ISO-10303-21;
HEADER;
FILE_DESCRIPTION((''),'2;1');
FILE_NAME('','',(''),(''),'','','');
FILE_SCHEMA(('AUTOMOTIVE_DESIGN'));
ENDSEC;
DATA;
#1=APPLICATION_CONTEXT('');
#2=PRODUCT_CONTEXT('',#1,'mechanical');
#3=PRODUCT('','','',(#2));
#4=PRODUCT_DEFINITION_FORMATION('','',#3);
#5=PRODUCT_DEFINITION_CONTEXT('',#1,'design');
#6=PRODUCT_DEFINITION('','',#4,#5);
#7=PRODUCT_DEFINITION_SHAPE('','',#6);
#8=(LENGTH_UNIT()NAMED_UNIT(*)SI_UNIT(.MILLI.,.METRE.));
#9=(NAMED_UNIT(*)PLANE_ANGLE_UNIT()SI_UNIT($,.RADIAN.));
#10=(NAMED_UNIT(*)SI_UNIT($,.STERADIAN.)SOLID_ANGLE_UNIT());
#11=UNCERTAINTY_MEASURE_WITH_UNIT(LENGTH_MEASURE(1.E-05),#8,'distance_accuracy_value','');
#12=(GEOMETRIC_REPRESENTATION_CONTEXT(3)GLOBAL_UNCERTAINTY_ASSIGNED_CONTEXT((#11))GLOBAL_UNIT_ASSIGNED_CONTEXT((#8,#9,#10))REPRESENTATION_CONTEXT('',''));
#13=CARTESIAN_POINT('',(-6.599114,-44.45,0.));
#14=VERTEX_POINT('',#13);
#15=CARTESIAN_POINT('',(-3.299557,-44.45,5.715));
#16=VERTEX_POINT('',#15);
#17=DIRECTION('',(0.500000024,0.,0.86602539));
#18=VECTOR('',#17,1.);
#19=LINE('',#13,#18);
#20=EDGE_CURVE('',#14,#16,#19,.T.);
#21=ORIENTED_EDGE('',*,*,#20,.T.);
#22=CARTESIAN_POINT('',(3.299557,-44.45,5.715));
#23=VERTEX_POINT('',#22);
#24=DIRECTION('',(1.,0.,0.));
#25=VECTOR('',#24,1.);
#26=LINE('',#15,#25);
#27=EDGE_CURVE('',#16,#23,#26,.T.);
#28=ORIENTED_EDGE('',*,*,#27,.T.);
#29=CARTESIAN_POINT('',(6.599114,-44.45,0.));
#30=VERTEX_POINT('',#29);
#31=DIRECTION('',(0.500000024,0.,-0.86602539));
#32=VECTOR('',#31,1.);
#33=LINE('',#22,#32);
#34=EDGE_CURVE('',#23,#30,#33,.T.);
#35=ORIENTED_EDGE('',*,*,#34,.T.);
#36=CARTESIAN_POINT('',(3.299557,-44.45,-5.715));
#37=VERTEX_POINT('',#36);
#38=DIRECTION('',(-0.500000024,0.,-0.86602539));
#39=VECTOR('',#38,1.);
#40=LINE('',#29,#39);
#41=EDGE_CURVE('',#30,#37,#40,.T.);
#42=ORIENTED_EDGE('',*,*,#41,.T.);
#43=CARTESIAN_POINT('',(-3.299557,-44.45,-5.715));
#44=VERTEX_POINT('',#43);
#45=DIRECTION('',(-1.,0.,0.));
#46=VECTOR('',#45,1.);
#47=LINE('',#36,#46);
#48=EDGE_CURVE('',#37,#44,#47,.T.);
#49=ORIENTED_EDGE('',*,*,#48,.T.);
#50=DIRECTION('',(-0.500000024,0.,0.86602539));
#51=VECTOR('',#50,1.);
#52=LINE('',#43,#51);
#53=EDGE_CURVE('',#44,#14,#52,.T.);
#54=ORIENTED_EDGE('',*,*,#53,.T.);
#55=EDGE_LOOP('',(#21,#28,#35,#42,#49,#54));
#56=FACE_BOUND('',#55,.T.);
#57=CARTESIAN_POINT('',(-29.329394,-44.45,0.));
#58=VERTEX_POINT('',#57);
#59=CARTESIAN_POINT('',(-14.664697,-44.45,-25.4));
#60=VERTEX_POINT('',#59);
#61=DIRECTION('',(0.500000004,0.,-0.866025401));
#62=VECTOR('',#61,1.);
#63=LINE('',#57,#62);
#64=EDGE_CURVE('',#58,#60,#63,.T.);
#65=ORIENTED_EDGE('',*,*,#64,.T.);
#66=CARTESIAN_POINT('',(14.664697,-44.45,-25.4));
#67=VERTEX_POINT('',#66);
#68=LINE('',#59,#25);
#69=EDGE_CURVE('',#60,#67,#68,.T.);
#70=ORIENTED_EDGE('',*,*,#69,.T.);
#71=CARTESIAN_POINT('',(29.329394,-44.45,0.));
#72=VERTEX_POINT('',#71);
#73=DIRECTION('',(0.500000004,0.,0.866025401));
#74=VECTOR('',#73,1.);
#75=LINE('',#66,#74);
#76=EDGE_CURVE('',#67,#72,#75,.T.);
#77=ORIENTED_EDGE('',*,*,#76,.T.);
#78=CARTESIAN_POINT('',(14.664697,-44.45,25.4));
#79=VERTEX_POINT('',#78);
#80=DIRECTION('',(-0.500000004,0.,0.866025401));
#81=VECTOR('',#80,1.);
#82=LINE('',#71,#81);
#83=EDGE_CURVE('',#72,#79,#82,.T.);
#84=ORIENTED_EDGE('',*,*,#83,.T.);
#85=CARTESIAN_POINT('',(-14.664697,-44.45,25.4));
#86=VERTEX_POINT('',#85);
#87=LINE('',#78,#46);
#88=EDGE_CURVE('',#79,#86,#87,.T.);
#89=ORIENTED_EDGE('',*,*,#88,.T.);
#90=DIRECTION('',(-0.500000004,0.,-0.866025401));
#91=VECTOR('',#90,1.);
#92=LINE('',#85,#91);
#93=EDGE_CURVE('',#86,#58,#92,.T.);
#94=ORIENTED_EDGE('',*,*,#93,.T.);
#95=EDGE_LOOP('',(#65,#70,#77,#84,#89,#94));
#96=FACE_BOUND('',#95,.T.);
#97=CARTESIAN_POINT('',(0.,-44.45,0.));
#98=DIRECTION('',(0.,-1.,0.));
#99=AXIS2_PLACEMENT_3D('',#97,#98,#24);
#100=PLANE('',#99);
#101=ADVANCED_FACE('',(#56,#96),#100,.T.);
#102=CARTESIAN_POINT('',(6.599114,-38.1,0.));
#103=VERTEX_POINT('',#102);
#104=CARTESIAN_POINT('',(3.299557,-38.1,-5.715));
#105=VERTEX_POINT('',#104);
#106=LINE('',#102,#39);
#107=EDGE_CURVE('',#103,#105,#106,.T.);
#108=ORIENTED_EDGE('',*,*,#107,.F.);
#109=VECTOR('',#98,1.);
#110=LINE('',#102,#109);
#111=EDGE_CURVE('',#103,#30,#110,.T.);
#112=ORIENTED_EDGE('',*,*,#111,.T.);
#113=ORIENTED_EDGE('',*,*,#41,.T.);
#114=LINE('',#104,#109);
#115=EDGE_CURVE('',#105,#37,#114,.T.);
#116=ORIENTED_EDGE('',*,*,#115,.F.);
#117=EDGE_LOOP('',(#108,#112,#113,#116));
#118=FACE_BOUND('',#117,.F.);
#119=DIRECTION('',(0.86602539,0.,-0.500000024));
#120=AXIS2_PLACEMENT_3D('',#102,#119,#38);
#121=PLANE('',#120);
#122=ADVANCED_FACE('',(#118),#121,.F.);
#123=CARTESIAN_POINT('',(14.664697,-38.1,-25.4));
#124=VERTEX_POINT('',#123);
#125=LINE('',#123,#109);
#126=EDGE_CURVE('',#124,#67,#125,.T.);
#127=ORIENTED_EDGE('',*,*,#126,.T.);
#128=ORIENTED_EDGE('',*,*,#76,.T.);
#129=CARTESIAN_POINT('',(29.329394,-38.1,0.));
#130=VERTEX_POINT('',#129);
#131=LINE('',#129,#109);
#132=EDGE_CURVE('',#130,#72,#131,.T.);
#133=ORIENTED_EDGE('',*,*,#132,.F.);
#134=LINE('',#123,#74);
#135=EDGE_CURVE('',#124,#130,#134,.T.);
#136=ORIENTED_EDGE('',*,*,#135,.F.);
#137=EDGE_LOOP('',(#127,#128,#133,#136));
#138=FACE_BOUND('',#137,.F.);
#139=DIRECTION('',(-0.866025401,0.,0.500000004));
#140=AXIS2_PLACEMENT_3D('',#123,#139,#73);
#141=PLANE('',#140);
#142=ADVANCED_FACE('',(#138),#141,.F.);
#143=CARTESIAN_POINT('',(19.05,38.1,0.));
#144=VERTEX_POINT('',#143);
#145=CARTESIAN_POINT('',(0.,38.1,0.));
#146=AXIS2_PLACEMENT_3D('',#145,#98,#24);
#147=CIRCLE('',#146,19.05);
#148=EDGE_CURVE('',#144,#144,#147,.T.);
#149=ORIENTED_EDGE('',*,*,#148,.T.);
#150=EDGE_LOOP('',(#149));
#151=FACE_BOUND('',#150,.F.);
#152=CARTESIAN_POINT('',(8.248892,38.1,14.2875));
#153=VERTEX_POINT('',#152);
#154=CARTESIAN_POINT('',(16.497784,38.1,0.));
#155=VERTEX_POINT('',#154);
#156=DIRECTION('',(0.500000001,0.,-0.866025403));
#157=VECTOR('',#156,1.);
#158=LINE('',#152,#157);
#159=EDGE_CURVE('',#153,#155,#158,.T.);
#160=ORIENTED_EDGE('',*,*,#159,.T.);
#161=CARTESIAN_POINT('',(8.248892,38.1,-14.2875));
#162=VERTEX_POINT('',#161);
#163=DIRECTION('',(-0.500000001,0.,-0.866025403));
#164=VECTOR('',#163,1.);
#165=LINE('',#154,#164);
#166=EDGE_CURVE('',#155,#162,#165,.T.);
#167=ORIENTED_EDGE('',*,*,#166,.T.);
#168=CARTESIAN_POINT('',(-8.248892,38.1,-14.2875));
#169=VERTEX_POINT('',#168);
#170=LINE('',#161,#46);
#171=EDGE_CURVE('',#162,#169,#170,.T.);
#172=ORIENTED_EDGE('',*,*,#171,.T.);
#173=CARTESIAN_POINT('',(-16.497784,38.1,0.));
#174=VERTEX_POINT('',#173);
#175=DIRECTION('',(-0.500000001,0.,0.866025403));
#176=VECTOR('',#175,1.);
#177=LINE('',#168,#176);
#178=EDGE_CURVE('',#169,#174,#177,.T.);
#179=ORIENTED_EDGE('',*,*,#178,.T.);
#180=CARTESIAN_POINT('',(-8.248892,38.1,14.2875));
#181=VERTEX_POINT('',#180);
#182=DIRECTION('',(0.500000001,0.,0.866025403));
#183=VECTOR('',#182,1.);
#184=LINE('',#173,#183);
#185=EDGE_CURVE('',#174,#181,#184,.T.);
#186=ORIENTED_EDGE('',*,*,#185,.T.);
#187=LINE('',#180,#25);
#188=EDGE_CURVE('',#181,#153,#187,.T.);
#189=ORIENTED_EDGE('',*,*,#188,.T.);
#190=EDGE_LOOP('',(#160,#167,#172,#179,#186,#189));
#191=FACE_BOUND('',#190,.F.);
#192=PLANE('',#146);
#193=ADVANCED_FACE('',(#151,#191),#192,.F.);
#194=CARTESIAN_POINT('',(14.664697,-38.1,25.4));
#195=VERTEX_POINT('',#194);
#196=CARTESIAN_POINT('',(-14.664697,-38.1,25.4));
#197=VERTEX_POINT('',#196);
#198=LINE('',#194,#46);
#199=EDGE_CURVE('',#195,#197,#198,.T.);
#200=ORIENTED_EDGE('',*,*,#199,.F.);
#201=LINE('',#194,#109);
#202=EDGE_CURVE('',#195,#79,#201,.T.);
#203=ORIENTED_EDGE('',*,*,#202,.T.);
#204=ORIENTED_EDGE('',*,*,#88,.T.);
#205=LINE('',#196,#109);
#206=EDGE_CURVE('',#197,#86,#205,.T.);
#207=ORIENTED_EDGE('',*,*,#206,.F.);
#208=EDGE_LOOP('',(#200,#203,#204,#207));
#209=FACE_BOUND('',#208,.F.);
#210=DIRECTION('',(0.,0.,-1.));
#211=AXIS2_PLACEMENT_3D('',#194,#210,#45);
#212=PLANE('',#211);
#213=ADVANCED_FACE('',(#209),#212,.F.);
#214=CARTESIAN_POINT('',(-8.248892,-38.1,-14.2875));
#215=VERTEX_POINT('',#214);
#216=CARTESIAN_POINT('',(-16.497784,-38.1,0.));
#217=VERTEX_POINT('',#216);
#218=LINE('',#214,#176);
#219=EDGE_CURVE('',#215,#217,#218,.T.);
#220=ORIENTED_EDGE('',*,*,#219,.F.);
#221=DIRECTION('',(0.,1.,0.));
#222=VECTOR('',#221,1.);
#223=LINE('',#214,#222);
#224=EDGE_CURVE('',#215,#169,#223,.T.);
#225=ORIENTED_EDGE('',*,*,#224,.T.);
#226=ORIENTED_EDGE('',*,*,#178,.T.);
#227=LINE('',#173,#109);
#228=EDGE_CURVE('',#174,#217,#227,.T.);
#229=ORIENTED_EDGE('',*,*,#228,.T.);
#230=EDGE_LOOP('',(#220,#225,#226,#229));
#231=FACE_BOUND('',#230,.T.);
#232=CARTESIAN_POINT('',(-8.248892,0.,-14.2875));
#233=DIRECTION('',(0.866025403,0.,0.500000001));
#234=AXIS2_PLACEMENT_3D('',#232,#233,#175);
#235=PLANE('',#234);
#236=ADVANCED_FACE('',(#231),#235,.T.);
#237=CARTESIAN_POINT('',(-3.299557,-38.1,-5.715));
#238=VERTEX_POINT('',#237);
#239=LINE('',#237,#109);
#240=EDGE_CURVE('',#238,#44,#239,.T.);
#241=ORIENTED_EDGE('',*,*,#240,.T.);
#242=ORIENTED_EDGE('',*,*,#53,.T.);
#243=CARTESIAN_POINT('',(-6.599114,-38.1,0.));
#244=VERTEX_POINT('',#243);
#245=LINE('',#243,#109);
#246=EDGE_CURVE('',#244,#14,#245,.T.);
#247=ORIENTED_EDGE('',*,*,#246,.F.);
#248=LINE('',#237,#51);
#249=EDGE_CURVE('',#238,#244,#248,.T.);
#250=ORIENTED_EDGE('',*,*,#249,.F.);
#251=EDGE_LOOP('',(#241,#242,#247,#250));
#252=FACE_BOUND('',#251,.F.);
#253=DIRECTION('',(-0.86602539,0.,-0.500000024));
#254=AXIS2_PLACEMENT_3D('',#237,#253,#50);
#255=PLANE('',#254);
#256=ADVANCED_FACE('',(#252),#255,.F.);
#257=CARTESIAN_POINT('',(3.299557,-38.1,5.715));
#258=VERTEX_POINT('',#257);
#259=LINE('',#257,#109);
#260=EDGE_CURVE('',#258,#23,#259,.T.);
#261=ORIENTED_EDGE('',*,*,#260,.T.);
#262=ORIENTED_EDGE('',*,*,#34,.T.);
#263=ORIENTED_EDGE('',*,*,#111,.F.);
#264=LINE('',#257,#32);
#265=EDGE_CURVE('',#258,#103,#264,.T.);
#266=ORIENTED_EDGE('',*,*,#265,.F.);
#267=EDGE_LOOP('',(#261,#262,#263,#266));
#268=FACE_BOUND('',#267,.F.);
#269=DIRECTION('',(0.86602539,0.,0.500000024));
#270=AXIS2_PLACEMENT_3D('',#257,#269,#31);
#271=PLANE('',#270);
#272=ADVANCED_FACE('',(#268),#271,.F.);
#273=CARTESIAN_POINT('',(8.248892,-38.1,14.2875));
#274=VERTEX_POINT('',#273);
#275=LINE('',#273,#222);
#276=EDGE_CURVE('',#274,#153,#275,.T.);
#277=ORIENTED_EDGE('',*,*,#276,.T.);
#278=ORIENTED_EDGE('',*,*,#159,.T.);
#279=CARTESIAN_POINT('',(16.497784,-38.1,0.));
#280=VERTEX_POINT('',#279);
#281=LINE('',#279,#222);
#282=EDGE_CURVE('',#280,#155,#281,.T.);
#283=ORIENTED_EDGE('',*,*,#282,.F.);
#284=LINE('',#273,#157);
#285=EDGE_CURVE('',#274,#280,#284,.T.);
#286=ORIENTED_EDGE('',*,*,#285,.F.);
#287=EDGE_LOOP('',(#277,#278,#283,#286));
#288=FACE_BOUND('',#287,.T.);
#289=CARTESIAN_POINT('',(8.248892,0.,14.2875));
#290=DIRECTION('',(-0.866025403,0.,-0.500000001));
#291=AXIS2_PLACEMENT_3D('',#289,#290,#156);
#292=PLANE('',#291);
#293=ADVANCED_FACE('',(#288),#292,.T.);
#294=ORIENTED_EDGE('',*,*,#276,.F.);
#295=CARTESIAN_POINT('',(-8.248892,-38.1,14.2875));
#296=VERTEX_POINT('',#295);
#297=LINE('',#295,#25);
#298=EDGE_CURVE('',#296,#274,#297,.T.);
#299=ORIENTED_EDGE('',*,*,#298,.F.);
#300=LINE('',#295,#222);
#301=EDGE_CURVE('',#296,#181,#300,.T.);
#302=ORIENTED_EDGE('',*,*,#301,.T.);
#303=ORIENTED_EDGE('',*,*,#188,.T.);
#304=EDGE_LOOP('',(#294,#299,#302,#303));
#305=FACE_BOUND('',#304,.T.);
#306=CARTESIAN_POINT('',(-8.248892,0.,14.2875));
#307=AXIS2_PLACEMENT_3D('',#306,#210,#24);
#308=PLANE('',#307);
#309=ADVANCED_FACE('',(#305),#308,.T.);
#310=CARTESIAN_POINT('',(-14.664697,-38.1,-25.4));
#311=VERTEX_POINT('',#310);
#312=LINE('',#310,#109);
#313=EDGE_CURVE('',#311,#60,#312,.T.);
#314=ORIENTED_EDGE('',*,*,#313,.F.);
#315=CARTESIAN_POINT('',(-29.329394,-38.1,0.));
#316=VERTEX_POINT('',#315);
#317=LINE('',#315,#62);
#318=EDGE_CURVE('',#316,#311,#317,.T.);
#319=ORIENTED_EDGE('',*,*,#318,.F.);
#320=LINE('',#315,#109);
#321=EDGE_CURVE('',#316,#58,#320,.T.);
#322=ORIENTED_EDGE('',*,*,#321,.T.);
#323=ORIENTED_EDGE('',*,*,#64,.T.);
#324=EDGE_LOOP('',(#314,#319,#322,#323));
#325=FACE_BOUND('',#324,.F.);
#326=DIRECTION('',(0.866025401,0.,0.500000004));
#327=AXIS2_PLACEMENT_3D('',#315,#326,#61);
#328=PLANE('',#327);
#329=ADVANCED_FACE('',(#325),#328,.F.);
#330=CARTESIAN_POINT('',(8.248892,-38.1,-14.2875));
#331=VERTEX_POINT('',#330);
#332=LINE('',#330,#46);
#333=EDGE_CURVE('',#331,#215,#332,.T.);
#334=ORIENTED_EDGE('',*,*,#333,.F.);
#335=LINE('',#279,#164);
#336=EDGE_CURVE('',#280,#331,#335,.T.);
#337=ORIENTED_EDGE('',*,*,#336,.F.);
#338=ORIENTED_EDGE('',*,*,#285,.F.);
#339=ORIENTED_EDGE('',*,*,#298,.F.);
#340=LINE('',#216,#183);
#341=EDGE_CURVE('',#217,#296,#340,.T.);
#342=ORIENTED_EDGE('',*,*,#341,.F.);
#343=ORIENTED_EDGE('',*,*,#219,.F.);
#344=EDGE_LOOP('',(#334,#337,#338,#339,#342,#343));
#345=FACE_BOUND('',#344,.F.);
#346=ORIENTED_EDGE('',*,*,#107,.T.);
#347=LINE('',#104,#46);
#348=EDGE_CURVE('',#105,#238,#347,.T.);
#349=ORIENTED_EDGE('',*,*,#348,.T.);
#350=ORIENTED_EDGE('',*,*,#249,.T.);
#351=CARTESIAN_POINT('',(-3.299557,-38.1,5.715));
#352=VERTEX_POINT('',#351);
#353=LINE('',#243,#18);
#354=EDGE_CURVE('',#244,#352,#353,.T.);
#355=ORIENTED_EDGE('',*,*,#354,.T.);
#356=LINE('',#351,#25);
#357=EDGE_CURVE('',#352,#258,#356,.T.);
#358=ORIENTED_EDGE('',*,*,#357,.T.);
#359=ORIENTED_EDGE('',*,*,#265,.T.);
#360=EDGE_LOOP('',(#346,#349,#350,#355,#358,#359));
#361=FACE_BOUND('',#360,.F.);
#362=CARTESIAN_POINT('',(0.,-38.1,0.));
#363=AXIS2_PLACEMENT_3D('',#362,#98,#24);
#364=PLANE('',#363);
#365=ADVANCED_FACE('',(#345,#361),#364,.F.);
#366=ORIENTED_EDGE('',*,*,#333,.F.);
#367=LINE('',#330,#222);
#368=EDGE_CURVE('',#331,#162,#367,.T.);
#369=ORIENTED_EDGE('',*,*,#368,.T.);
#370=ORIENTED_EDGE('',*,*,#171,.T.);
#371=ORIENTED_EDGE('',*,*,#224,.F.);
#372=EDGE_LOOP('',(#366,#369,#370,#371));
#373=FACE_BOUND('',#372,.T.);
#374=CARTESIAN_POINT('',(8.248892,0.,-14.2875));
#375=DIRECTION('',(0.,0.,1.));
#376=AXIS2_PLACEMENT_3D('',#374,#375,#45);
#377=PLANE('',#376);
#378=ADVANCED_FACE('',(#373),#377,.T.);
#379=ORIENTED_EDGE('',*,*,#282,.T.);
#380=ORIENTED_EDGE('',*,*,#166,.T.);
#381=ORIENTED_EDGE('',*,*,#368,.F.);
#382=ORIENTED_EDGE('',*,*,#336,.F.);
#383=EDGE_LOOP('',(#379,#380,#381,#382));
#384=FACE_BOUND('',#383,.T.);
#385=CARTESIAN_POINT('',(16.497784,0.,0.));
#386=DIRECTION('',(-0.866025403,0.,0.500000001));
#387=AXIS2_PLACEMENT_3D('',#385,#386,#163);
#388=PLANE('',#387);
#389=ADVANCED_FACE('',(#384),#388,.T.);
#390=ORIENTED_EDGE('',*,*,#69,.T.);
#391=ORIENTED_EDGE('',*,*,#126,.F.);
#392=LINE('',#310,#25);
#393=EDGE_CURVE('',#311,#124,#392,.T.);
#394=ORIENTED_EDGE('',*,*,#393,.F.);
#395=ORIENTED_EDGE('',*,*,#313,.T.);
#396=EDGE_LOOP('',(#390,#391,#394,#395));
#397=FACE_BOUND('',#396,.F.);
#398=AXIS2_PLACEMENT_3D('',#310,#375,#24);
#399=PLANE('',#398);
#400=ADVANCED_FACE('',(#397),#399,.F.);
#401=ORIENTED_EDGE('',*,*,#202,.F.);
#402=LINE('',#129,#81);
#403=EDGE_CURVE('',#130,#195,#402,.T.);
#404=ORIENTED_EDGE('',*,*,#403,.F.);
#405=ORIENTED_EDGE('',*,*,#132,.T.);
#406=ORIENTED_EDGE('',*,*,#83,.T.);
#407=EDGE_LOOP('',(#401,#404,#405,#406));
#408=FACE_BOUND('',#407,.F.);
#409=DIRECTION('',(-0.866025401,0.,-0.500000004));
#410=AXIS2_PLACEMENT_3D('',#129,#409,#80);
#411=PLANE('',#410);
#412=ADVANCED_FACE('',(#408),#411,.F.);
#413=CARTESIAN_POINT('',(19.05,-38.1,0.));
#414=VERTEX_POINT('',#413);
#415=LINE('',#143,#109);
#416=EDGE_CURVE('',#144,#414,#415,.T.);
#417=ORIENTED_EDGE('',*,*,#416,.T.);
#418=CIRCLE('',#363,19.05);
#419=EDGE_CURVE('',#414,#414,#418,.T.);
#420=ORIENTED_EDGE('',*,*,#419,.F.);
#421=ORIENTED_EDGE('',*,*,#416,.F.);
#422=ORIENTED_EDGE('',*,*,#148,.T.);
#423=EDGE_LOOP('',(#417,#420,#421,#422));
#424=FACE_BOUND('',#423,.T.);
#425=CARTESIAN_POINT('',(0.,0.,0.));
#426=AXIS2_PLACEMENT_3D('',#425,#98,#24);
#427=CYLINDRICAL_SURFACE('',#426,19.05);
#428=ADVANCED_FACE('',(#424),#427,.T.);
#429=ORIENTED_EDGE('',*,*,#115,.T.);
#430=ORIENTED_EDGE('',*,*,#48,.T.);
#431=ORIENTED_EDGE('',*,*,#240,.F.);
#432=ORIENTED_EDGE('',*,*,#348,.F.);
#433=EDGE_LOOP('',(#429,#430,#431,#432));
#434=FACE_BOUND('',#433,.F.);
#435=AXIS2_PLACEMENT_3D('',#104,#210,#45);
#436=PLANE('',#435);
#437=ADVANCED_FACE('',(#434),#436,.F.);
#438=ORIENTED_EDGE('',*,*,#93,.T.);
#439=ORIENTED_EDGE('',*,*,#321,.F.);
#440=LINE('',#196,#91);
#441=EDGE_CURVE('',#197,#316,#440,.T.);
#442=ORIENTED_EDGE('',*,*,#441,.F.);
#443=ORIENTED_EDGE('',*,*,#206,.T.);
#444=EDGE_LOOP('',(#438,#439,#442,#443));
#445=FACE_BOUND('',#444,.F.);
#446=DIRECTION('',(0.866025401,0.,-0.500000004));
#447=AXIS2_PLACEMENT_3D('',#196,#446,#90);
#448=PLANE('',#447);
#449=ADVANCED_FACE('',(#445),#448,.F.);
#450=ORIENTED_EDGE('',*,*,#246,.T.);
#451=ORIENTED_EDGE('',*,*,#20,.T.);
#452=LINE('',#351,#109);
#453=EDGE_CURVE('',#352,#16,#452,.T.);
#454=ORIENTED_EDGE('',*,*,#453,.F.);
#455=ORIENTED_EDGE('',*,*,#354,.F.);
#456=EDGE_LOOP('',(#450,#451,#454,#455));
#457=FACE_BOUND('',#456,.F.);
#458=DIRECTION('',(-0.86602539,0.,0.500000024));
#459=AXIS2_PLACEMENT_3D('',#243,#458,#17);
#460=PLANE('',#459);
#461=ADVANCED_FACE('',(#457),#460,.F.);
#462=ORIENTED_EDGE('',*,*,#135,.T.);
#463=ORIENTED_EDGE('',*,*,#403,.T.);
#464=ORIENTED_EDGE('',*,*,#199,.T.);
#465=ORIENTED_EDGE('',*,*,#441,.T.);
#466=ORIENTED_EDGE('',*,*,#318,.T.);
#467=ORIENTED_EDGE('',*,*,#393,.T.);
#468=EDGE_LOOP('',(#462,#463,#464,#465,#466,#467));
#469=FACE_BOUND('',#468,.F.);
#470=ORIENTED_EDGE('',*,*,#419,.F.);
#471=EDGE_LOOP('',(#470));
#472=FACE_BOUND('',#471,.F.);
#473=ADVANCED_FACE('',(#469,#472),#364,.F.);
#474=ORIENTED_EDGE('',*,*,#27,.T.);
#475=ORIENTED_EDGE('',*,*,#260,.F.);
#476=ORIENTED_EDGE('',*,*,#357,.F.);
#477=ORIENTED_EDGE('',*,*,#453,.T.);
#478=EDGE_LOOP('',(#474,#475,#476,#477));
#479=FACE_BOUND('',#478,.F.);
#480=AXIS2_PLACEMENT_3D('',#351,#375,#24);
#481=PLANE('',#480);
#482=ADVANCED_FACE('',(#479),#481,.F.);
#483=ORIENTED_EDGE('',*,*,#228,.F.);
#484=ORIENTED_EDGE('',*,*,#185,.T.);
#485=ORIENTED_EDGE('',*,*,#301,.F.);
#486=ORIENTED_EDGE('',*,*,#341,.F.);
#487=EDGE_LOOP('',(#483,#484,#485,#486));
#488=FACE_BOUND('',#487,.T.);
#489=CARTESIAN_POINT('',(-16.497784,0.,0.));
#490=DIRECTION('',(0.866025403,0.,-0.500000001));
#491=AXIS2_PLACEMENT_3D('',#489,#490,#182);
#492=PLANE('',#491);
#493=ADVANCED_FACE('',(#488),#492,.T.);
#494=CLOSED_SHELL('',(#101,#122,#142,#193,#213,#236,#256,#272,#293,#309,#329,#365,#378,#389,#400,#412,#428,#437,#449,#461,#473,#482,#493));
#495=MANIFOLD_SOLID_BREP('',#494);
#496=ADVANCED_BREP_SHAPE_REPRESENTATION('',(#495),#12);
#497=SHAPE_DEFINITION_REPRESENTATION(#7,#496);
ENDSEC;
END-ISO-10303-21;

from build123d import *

# Parameters (mm, degrees)
F0_R     = 19.05
F1_DEPTH = 38.1
F3_DEPTH = 6.35


with BuildPart() as f1:
    # F0 (on Front) → F1 (new body, symmetric)
    with BuildSketch(Plane.XZ):
        Circle(F0_R)
        Polygon((-16.497784, 0), (-8.248892, 14.2875), (8.248892, 14.2875), (16.497784, 0), (8.248892, -14.2875), (-8.248892, -14.2875), align=None, mode=Mode.SUBTRACT)
    extrude(amount=F1_DEPTH, both=True)

    # F2 (on face) → F3 (join)
    with BuildSketch(Plane.XZ.offset(38.1)):
        Polygon((14.664697, 25.4), (-14.664697, 25.4), (-29.329394, 0), (-14.664697, -25.4), (14.664697, -25.4), (29.329394, 0), align=None)
        Polygon((-6.599114, 0), (-3.299557, 5.715), (3.299557, 5.715), (6.599114, 0), (3.299557, -5.715), (-3.299557, -5.715), align=None, mode=Mode.SUBTRACT)
    extrude(amount=F3_DEPTH)


solid = f1.part
